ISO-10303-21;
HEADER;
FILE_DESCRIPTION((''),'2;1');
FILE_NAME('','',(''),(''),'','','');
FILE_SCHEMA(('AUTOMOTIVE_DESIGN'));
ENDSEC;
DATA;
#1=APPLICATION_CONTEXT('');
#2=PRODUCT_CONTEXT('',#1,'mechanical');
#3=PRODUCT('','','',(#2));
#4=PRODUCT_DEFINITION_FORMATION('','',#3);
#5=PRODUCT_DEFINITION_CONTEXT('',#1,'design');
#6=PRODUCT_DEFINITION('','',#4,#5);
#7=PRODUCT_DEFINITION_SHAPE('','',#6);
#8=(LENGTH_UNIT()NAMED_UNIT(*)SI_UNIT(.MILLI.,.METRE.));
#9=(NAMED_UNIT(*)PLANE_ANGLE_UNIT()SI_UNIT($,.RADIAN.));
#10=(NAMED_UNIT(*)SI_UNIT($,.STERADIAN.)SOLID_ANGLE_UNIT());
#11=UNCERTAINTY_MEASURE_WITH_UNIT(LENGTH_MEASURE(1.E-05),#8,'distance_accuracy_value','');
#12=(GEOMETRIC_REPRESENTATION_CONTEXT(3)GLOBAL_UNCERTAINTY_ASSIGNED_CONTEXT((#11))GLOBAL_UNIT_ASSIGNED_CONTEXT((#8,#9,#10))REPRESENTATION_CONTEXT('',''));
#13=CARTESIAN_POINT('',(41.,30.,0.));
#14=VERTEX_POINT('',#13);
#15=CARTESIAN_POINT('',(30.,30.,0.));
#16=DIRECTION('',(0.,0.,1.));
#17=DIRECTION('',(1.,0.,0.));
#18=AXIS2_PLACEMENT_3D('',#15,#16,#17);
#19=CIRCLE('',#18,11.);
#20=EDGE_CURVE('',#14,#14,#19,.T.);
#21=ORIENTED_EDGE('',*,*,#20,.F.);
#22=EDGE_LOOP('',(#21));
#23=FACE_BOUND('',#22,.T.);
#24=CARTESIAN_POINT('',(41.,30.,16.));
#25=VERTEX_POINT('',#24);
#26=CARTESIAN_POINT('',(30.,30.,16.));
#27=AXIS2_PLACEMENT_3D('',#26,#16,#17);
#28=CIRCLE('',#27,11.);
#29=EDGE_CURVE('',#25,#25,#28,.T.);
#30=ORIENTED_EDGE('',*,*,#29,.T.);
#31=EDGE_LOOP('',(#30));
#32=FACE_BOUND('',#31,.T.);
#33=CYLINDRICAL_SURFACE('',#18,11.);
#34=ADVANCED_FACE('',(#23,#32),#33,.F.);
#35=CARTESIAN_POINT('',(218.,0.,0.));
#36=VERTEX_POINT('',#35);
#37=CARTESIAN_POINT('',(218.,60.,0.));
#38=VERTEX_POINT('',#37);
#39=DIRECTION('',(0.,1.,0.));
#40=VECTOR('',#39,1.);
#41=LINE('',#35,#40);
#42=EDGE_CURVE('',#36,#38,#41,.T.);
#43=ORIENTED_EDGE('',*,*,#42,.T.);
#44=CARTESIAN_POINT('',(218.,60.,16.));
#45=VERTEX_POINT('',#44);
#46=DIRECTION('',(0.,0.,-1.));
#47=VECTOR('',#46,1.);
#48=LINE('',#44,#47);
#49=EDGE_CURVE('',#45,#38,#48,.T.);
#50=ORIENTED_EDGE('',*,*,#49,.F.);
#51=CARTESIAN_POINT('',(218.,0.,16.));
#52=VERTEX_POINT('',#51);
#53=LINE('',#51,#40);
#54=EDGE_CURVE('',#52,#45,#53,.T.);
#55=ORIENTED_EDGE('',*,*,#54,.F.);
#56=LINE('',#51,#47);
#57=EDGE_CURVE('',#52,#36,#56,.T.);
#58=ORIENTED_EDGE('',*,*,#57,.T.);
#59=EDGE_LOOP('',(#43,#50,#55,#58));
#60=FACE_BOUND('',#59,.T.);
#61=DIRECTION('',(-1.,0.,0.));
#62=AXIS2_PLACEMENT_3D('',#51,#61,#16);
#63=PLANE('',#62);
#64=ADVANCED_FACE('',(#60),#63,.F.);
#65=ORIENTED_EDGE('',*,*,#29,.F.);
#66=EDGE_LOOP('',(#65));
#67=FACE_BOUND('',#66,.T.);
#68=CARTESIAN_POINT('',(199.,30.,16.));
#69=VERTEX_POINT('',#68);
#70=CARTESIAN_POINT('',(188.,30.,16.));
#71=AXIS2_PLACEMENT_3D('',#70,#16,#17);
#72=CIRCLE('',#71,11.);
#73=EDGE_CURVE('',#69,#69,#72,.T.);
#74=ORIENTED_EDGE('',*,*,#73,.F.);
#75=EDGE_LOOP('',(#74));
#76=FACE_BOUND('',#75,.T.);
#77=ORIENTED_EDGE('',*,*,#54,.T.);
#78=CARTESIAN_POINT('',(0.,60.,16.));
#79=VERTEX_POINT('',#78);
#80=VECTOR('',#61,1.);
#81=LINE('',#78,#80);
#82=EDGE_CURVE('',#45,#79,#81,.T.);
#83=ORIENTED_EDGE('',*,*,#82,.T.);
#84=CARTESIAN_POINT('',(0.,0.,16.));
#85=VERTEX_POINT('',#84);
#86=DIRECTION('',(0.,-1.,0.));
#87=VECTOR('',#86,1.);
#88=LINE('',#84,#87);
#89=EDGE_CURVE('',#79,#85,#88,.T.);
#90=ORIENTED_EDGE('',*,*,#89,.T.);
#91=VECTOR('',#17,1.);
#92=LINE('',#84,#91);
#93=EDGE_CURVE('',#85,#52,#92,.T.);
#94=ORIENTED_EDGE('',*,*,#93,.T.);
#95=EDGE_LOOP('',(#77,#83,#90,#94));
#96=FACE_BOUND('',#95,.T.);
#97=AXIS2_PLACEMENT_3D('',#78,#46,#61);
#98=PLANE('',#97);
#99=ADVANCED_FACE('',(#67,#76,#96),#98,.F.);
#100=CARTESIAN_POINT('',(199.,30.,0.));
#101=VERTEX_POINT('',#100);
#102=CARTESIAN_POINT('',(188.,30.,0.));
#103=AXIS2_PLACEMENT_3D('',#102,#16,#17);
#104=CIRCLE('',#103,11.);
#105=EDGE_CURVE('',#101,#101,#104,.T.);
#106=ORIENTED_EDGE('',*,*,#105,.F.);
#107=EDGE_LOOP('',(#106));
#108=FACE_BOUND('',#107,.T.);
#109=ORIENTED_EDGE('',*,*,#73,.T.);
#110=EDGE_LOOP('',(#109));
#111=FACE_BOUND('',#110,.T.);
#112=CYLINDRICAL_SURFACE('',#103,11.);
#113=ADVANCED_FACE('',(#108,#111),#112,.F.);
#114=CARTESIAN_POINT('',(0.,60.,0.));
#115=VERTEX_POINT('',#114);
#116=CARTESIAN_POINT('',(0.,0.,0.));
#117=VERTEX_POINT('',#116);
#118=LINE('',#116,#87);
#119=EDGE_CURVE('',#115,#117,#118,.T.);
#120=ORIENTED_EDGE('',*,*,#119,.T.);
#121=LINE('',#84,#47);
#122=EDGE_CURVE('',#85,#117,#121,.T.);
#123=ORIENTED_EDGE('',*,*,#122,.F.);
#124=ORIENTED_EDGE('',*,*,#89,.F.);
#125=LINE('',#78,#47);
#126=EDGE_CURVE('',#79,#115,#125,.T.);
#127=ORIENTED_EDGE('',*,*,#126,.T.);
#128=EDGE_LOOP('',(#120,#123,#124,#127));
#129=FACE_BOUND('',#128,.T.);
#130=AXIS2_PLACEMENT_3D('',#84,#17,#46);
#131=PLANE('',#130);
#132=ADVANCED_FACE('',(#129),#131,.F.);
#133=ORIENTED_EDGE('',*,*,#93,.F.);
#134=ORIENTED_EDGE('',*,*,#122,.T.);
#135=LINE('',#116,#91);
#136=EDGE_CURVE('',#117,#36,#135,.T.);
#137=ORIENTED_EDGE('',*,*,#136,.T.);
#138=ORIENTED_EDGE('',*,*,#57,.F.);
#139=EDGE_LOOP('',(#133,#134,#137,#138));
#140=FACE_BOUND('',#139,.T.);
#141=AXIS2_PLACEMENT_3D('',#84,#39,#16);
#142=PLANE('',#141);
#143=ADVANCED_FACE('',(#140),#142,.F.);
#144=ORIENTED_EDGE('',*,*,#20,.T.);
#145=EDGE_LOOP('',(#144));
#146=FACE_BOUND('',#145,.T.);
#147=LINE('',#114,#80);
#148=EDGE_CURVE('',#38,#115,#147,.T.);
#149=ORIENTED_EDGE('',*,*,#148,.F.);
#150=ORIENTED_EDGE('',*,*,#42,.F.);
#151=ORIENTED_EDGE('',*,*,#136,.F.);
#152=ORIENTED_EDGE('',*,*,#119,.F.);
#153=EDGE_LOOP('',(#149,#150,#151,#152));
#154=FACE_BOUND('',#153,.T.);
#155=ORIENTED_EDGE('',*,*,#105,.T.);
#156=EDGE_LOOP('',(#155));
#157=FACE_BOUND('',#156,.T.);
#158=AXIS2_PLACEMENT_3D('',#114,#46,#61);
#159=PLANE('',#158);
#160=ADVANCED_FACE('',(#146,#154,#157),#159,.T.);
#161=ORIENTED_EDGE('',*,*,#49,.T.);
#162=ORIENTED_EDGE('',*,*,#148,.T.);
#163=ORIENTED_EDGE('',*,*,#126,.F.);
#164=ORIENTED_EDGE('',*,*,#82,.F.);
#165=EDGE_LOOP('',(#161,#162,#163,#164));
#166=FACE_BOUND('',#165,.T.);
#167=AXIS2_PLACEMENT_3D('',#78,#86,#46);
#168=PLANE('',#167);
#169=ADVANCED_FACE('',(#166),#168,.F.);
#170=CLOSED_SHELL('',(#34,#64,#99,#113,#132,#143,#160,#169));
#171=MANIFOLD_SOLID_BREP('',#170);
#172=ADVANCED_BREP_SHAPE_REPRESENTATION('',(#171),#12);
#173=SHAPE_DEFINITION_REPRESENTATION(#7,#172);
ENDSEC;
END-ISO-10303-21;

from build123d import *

# Parameters (mm, degrees)
SKETCH_1_W          = 218
SKETCH_1_H          = 60
EXTRUDE_1_DEPTH     = 16
SKETCH_2_R          = 11
CUT_EXTRUDE_2_DEPTH = 227.671568574


with BuildPart() as part:
    # 草图1 → 拉伸1 (new body)
    with BuildSketch(Plane.XY):
        with Locations((109, 30)):
            Rectangle(SKETCH_1_W, SKETCH_1_H)
    extrude(amount=EXTRUDE_1_DEPTH)

    # 草图2 → 拉伸2 (cut, through all)
    with BuildSketch(Plane.XY.offset(16)):
        with Locations((30, 30)):
            Circle(SKETCH_2_R)
        with Locations((188, 30)):
            Circle(SKETCH_2_R)
    extrude(amount=-CUT_EXTRUDE_2_DEPTH, mode=Mode.SUBTRACT)


solid = part.part
